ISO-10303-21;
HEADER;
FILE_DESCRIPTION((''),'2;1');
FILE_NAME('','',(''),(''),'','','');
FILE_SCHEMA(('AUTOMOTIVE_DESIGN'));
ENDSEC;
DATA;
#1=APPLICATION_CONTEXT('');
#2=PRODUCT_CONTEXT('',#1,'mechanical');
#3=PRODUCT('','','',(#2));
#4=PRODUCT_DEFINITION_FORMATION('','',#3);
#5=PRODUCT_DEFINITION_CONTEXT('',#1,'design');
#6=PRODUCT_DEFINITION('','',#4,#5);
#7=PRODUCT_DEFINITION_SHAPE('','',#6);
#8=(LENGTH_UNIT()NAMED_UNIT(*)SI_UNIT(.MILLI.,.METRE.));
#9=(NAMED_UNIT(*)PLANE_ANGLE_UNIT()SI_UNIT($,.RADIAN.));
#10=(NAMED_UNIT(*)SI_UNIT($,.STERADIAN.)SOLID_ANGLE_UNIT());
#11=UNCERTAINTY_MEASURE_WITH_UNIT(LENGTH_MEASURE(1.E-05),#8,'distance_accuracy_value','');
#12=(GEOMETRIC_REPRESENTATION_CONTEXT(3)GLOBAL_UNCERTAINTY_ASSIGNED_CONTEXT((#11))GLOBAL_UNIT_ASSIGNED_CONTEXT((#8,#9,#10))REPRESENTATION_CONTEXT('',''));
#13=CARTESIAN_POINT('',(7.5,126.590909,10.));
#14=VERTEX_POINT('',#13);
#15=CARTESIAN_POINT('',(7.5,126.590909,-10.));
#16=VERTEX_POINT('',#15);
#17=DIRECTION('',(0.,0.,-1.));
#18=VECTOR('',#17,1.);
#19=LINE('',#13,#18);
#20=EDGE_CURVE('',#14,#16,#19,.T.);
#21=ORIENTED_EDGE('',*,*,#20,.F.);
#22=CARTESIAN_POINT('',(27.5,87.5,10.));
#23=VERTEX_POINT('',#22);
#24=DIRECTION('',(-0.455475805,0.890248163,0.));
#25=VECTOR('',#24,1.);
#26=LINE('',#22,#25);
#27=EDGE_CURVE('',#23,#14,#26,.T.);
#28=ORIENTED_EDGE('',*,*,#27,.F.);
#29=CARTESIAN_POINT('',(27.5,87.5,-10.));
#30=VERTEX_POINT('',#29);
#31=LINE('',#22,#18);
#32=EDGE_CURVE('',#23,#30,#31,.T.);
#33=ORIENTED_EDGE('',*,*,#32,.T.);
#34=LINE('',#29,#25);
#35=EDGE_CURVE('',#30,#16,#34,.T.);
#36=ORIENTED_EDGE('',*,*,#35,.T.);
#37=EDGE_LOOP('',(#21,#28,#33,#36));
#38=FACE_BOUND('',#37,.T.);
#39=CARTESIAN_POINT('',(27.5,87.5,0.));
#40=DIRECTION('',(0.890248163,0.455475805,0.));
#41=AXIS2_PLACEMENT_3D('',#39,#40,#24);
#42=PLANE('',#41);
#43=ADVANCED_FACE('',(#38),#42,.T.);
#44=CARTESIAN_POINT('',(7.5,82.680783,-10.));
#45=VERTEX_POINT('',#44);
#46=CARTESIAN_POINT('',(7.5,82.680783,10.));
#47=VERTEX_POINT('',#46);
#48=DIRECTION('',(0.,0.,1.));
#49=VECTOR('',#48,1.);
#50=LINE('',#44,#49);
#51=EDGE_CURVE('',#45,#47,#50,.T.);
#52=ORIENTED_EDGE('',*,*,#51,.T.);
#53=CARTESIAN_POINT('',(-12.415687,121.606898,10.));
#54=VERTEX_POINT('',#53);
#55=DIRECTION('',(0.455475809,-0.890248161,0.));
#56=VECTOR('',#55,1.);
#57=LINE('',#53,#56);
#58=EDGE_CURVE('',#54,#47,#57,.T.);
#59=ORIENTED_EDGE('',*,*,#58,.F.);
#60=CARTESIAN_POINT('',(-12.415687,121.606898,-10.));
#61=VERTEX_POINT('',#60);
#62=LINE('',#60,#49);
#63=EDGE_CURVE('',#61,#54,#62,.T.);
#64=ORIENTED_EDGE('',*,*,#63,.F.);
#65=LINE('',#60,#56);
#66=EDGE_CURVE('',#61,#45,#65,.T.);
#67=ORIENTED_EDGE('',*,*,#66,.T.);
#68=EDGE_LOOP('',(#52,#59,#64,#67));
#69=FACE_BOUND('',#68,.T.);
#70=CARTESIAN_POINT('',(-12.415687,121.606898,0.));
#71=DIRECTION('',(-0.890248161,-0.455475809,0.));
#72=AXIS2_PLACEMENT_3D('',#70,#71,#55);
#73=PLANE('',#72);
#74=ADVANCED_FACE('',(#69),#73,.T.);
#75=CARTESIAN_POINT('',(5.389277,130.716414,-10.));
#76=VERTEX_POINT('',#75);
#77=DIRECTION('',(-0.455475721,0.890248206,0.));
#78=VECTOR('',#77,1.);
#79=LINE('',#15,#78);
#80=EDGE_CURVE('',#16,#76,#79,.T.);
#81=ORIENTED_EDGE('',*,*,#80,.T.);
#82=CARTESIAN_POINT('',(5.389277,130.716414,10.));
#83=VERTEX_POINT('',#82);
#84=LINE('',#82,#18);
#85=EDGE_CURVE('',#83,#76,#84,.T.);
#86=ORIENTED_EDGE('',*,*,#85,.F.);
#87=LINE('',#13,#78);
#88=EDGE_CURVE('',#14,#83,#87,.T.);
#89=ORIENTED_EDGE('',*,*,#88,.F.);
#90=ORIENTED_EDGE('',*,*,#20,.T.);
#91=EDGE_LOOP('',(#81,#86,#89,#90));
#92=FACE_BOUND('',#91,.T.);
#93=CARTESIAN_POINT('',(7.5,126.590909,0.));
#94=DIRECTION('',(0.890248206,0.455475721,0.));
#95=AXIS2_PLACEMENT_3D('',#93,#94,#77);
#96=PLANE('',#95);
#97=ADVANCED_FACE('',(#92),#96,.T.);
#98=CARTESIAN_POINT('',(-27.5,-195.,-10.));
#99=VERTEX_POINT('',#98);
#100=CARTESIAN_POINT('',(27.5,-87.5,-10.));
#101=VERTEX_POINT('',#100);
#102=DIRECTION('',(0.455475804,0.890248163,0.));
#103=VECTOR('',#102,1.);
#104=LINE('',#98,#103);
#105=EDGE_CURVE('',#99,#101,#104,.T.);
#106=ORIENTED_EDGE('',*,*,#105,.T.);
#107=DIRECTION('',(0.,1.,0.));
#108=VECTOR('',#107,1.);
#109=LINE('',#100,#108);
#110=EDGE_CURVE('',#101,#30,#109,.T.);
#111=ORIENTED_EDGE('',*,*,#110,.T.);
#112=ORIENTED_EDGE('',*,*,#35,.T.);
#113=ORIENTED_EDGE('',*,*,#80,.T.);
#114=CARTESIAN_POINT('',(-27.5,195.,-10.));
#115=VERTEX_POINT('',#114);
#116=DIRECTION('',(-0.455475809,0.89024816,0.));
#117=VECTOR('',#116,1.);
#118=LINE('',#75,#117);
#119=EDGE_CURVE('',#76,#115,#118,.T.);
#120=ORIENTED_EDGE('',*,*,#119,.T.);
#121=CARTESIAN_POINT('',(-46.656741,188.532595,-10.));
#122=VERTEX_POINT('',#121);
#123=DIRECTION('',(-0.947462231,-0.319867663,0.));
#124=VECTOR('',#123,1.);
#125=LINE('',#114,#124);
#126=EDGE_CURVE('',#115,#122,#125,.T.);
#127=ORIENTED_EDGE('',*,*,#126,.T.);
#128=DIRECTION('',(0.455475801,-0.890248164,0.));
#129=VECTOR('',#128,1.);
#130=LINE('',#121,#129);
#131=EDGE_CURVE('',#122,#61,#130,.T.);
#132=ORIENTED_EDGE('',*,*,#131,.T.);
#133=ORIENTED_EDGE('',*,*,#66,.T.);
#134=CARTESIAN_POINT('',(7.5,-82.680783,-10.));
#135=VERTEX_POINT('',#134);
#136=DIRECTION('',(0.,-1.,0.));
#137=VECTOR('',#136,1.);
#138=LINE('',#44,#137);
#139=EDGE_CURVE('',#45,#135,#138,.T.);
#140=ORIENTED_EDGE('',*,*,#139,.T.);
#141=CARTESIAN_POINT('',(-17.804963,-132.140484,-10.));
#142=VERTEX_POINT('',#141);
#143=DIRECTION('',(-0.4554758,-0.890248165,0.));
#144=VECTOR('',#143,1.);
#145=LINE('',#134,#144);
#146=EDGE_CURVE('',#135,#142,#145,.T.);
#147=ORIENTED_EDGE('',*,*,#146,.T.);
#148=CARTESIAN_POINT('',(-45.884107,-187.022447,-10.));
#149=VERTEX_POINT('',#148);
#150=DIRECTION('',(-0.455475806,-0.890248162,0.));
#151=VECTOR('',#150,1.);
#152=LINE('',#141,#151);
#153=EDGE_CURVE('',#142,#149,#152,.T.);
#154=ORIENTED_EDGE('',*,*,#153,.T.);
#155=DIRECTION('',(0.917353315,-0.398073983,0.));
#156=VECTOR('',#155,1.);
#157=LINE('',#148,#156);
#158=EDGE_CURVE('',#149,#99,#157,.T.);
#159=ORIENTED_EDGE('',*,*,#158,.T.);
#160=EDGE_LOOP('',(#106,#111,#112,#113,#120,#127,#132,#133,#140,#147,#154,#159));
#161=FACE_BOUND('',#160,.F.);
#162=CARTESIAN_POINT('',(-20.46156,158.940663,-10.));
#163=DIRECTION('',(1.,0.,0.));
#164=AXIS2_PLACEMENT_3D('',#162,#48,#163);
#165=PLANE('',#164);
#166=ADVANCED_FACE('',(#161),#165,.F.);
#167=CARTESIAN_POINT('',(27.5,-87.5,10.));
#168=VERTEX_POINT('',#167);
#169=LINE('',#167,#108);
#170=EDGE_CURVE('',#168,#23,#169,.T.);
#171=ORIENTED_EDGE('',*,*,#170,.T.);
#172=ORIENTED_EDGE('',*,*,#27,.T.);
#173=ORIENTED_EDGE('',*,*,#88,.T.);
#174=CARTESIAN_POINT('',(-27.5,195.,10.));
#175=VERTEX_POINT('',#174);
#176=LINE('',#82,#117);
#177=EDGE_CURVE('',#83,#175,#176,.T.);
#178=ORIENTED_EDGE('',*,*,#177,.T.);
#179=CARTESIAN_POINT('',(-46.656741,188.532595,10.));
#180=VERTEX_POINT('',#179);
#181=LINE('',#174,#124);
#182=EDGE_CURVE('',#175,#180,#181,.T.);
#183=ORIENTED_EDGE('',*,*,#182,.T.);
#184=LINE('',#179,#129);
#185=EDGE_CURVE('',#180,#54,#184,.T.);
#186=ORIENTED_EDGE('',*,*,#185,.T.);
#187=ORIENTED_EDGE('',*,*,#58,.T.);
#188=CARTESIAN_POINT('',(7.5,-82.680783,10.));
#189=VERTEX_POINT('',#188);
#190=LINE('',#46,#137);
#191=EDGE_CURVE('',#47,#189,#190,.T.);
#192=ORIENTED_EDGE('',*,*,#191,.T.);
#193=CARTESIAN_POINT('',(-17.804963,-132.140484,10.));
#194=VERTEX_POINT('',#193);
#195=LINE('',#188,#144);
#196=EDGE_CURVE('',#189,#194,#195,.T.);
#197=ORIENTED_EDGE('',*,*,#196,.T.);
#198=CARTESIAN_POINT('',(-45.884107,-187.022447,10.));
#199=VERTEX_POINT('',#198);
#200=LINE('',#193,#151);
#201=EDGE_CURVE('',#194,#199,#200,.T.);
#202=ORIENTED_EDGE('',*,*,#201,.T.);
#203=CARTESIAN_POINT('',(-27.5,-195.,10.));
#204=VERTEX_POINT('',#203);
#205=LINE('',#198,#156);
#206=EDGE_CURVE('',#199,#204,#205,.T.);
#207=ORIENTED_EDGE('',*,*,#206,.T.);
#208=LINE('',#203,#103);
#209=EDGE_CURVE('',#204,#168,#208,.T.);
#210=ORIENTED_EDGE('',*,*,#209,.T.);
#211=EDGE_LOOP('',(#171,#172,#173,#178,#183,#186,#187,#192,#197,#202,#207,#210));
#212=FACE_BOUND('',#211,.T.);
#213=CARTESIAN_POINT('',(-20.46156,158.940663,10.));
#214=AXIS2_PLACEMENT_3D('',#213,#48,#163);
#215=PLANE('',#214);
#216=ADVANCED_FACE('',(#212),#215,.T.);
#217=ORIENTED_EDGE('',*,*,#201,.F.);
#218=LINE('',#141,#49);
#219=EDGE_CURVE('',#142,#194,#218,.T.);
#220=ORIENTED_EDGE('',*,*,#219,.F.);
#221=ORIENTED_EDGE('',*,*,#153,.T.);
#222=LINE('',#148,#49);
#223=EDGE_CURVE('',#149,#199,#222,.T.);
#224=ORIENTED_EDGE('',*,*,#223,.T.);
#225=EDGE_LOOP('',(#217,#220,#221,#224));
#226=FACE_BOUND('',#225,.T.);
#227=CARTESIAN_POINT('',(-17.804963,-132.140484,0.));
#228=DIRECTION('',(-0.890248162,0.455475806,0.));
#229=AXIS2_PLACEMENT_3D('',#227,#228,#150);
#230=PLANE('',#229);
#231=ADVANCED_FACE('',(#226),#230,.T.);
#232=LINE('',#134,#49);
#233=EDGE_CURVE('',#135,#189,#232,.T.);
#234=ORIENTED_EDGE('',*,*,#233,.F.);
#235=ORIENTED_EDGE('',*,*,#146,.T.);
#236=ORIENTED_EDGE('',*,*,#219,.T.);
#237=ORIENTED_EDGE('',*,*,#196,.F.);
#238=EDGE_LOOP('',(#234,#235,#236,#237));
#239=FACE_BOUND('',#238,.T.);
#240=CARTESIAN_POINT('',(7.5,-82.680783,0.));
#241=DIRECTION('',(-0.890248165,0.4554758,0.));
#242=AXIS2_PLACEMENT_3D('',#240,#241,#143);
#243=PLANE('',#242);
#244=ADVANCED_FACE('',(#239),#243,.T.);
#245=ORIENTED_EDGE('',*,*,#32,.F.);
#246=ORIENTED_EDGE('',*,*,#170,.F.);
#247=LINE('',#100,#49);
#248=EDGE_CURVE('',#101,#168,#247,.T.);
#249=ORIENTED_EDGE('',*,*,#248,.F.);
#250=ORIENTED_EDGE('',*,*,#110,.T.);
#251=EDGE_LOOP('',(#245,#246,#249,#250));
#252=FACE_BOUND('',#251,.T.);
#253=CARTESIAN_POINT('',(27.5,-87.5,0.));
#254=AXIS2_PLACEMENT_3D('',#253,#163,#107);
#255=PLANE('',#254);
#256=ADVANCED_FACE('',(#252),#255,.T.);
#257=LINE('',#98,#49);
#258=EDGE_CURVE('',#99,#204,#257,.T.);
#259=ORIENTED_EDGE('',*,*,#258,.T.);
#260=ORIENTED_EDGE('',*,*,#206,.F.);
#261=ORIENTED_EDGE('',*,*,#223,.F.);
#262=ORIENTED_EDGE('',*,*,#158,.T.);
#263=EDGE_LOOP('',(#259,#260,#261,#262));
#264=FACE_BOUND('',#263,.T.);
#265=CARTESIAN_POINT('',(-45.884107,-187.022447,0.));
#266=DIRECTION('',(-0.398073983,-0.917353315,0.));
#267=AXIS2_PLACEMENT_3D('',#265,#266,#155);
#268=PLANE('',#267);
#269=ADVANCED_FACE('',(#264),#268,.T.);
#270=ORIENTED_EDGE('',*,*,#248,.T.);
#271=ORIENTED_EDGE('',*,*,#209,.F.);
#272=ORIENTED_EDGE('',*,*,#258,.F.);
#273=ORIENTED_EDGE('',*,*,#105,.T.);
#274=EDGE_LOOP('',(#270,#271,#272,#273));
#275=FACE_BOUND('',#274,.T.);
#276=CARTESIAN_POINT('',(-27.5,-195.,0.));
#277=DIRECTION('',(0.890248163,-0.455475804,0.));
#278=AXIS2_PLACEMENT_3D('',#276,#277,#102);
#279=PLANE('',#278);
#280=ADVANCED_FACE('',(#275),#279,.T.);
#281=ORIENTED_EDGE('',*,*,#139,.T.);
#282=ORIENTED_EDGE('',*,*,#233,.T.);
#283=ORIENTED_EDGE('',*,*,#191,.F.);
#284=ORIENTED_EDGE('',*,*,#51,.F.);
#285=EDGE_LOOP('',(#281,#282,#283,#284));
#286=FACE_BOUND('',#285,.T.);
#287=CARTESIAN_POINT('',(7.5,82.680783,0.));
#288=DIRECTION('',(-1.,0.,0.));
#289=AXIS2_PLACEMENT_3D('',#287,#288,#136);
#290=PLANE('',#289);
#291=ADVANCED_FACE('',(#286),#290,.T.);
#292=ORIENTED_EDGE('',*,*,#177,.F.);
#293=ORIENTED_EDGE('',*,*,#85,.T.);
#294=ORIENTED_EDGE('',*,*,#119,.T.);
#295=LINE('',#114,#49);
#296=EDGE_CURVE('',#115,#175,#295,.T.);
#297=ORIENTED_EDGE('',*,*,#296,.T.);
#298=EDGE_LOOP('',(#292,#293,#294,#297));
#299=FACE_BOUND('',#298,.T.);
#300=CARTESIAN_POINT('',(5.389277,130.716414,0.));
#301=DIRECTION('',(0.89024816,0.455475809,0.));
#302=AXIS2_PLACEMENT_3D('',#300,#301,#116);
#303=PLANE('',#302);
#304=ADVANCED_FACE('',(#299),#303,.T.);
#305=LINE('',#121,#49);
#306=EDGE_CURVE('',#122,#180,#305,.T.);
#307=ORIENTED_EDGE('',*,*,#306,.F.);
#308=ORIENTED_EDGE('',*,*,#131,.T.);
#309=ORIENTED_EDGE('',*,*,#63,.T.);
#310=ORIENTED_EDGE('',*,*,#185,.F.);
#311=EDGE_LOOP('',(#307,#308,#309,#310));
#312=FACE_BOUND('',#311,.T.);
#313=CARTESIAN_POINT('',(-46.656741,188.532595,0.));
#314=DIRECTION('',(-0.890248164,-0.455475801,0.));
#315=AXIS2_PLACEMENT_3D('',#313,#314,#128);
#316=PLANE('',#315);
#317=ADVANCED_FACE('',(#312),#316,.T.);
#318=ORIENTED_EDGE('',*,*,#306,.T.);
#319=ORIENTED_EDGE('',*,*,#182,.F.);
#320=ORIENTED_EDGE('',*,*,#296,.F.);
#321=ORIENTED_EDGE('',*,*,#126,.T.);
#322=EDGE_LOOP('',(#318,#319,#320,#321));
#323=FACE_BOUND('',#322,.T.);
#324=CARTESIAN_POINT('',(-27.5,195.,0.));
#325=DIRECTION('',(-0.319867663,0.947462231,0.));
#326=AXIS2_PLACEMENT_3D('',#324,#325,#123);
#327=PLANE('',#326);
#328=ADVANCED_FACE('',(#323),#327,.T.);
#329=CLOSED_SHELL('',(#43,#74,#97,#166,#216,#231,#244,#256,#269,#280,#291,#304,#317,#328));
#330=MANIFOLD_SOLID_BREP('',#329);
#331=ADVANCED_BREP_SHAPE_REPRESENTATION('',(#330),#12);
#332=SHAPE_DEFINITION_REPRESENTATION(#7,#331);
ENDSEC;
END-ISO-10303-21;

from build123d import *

# Parameters (mm, degrees)
F1_DEPTH = 10


with BuildPart() as f1:
    # F0 (on Top) → F1 (new body, symmetric)
    with BuildSketch(Plane.XY):
        Polygon((-12.415687, 121.606898), (5.389277, 130.716414), (-27.5, 195), (-46.656741, 188.532595), align=None)
        Polygon((7.5, 82.680783), (7.5, 126.590909), (5.389277, 130.716414), (-12.415687, 121.606898), align=None)
        Polygon((7.5, 0), (27.5, 0), (27.5, 87.5), (7.5, 126.590909), (7.5, 82.680783), align=None)
        Polygon((27.5, -87.5), (27.5, 0), (7.5, 0), (7.5, -82.680783), (-17.804963, -132.140484), (0, -141.25), align=None)
        Polygon((-27.5, -195), (0, -141.25), (-17.804963, -132.140484), (-45.884107, -187.022447), align=None)
    extrude(amount=F1_DEPTH, both=True)


solid = f1.part
